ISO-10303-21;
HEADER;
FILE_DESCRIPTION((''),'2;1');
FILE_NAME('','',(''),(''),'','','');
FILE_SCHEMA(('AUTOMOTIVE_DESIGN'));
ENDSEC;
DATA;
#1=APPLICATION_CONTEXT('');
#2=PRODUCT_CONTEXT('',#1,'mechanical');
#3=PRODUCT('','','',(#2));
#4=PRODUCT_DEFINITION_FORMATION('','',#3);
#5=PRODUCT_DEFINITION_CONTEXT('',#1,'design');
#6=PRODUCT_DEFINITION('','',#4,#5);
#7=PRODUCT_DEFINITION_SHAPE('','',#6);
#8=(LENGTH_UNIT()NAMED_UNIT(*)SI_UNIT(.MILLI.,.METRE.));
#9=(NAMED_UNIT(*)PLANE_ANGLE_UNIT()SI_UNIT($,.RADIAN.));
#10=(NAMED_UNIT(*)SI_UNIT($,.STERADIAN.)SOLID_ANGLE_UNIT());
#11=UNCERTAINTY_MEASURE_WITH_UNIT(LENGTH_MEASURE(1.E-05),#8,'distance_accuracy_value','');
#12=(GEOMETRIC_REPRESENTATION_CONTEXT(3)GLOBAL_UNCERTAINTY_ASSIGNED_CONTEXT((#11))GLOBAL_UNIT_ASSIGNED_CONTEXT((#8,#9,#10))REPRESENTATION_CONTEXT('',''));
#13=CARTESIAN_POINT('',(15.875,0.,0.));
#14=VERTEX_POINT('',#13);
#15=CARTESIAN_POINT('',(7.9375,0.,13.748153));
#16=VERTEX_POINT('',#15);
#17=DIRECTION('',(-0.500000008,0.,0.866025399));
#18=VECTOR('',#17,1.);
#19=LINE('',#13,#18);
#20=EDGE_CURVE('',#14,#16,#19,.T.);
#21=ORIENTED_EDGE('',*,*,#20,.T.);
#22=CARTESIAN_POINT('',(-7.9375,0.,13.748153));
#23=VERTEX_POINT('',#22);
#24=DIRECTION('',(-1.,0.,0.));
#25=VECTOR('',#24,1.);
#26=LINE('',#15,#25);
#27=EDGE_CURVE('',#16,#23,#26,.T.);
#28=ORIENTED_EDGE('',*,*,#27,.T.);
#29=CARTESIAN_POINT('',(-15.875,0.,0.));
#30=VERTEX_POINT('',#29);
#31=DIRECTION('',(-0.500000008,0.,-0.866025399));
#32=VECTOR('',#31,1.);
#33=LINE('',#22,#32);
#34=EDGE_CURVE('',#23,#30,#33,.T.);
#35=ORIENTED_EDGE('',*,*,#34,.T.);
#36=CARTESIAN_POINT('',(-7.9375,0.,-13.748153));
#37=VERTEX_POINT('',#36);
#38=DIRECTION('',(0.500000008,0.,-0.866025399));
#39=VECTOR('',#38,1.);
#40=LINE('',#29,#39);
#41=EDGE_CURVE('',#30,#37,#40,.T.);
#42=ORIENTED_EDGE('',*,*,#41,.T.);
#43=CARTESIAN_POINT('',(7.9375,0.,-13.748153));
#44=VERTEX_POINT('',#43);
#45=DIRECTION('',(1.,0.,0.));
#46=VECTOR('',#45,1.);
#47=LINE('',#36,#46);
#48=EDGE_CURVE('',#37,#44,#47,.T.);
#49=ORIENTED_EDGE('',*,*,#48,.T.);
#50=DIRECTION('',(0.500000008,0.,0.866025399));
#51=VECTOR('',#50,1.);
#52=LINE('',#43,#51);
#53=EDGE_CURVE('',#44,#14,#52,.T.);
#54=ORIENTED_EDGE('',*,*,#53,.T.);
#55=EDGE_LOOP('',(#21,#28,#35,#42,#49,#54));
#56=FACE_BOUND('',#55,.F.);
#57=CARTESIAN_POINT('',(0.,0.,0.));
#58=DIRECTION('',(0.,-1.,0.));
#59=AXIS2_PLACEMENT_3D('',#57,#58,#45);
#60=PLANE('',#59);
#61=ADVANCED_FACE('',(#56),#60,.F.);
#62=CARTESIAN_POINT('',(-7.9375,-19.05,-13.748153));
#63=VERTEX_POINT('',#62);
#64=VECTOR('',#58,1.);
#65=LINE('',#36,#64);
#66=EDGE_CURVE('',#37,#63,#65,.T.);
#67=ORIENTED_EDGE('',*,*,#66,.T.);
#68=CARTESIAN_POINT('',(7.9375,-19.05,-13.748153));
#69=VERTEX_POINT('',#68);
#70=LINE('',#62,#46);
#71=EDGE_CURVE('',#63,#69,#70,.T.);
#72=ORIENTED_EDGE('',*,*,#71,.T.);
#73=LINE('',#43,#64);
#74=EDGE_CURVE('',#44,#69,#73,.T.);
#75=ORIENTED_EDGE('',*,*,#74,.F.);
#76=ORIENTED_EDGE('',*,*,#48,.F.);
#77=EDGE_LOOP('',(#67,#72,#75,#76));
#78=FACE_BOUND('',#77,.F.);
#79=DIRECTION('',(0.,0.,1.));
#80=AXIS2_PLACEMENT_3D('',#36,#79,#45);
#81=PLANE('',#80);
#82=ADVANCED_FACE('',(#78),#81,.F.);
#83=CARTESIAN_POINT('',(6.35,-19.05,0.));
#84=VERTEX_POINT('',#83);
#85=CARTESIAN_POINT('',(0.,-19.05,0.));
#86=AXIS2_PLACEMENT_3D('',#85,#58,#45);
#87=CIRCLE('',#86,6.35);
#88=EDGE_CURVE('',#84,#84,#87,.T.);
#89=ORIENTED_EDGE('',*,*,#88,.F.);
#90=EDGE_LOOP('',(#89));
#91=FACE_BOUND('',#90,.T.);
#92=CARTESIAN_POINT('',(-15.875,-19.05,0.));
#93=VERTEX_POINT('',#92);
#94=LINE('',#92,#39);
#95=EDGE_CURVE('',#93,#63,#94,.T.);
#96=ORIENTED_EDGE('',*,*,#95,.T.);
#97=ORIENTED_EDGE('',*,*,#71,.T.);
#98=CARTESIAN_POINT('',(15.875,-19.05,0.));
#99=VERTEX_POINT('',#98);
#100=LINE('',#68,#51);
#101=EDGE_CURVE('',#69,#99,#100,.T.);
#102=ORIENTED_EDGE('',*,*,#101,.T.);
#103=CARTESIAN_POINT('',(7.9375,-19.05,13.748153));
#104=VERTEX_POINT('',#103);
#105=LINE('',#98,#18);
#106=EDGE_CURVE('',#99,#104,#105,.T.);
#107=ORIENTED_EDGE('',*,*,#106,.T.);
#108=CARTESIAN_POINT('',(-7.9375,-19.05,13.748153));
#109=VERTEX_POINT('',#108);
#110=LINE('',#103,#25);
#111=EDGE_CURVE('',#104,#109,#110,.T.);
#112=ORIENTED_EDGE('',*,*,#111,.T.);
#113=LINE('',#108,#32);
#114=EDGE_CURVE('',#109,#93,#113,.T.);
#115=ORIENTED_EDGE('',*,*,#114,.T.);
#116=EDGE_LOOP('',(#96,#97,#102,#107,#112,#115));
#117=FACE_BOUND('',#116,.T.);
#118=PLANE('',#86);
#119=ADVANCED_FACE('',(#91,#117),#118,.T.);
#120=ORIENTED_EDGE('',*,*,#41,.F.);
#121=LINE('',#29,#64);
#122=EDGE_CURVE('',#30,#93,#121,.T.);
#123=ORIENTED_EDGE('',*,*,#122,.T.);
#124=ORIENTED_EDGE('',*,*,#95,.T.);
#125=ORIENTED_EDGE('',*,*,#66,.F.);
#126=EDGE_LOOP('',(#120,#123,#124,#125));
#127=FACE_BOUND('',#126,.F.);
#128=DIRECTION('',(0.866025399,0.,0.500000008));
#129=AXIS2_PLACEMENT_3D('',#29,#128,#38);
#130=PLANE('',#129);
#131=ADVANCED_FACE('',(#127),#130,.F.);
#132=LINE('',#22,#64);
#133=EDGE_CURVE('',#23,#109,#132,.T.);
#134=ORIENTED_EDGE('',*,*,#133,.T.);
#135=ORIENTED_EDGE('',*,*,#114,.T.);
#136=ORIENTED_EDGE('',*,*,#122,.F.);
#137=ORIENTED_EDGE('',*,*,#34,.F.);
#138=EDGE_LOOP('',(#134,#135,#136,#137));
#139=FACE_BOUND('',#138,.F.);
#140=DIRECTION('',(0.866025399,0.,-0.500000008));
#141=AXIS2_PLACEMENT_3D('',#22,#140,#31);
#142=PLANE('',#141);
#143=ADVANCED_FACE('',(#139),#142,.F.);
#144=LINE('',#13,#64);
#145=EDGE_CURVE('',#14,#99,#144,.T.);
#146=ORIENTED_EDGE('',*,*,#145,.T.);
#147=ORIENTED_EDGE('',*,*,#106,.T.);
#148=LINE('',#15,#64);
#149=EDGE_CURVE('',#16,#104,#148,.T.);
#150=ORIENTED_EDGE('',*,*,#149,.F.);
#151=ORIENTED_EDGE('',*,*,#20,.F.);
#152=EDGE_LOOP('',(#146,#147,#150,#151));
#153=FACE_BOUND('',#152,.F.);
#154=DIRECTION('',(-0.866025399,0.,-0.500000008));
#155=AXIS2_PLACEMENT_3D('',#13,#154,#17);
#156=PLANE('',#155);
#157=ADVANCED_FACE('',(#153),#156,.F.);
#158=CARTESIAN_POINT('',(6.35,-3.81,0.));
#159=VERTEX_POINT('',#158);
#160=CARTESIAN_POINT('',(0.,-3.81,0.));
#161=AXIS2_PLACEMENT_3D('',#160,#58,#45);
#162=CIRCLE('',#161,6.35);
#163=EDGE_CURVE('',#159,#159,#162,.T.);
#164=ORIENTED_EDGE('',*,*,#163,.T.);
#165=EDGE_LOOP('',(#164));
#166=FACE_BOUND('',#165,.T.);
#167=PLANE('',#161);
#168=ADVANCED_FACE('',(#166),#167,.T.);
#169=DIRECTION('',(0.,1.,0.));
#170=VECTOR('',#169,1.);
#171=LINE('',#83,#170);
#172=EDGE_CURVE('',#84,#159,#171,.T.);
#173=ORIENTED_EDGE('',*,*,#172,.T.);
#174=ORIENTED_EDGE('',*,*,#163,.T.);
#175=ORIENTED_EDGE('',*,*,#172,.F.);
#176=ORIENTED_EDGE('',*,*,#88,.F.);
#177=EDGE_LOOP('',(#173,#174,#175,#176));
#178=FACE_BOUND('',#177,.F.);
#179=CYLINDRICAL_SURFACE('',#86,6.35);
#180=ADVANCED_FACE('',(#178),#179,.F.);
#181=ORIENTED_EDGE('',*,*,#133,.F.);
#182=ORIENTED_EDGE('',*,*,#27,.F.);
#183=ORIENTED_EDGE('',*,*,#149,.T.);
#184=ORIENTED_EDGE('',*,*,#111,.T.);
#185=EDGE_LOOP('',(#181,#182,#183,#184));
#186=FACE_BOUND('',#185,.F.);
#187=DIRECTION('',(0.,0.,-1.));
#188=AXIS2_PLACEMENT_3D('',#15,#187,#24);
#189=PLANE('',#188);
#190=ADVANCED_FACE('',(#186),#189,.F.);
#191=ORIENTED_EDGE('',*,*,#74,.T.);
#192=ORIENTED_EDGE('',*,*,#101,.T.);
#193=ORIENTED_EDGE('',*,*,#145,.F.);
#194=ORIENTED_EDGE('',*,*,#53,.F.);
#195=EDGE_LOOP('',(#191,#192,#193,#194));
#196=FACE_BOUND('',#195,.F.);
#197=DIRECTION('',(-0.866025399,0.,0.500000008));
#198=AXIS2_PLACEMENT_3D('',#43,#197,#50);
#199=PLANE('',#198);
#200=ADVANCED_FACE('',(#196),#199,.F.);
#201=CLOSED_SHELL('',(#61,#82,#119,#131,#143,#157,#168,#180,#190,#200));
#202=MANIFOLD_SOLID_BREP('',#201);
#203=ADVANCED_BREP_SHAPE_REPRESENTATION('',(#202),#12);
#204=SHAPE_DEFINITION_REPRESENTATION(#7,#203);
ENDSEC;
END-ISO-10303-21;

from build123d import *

# Parameters (mm, degrees)
F1_DEPTH = 19.05
F2_R     = 6.35
F3_DEPTH = 15.24


with BuildPart() as f1:
    # F0 (on Front) → F1 (new body)
    with BuildSketch(Plane.XZ):
        Polygon((7.9375, -13.748153), (15.875, 0), (7.9375, 13.748153), (-7.9375, 13.748153), (-15.875, 0), (-7.9375, -13.748153), align=None)
    extrude(amount=F1_DEPTH)

    # F2 (on face) → F3 (cut)
    with BuildSketch(Plane.XZ.offset(19.05)):
        Circle(F2_R)
    extrude(amount=-F3_DEPTH, mode=Mode.SUBTRACT)


solid = f1.part
